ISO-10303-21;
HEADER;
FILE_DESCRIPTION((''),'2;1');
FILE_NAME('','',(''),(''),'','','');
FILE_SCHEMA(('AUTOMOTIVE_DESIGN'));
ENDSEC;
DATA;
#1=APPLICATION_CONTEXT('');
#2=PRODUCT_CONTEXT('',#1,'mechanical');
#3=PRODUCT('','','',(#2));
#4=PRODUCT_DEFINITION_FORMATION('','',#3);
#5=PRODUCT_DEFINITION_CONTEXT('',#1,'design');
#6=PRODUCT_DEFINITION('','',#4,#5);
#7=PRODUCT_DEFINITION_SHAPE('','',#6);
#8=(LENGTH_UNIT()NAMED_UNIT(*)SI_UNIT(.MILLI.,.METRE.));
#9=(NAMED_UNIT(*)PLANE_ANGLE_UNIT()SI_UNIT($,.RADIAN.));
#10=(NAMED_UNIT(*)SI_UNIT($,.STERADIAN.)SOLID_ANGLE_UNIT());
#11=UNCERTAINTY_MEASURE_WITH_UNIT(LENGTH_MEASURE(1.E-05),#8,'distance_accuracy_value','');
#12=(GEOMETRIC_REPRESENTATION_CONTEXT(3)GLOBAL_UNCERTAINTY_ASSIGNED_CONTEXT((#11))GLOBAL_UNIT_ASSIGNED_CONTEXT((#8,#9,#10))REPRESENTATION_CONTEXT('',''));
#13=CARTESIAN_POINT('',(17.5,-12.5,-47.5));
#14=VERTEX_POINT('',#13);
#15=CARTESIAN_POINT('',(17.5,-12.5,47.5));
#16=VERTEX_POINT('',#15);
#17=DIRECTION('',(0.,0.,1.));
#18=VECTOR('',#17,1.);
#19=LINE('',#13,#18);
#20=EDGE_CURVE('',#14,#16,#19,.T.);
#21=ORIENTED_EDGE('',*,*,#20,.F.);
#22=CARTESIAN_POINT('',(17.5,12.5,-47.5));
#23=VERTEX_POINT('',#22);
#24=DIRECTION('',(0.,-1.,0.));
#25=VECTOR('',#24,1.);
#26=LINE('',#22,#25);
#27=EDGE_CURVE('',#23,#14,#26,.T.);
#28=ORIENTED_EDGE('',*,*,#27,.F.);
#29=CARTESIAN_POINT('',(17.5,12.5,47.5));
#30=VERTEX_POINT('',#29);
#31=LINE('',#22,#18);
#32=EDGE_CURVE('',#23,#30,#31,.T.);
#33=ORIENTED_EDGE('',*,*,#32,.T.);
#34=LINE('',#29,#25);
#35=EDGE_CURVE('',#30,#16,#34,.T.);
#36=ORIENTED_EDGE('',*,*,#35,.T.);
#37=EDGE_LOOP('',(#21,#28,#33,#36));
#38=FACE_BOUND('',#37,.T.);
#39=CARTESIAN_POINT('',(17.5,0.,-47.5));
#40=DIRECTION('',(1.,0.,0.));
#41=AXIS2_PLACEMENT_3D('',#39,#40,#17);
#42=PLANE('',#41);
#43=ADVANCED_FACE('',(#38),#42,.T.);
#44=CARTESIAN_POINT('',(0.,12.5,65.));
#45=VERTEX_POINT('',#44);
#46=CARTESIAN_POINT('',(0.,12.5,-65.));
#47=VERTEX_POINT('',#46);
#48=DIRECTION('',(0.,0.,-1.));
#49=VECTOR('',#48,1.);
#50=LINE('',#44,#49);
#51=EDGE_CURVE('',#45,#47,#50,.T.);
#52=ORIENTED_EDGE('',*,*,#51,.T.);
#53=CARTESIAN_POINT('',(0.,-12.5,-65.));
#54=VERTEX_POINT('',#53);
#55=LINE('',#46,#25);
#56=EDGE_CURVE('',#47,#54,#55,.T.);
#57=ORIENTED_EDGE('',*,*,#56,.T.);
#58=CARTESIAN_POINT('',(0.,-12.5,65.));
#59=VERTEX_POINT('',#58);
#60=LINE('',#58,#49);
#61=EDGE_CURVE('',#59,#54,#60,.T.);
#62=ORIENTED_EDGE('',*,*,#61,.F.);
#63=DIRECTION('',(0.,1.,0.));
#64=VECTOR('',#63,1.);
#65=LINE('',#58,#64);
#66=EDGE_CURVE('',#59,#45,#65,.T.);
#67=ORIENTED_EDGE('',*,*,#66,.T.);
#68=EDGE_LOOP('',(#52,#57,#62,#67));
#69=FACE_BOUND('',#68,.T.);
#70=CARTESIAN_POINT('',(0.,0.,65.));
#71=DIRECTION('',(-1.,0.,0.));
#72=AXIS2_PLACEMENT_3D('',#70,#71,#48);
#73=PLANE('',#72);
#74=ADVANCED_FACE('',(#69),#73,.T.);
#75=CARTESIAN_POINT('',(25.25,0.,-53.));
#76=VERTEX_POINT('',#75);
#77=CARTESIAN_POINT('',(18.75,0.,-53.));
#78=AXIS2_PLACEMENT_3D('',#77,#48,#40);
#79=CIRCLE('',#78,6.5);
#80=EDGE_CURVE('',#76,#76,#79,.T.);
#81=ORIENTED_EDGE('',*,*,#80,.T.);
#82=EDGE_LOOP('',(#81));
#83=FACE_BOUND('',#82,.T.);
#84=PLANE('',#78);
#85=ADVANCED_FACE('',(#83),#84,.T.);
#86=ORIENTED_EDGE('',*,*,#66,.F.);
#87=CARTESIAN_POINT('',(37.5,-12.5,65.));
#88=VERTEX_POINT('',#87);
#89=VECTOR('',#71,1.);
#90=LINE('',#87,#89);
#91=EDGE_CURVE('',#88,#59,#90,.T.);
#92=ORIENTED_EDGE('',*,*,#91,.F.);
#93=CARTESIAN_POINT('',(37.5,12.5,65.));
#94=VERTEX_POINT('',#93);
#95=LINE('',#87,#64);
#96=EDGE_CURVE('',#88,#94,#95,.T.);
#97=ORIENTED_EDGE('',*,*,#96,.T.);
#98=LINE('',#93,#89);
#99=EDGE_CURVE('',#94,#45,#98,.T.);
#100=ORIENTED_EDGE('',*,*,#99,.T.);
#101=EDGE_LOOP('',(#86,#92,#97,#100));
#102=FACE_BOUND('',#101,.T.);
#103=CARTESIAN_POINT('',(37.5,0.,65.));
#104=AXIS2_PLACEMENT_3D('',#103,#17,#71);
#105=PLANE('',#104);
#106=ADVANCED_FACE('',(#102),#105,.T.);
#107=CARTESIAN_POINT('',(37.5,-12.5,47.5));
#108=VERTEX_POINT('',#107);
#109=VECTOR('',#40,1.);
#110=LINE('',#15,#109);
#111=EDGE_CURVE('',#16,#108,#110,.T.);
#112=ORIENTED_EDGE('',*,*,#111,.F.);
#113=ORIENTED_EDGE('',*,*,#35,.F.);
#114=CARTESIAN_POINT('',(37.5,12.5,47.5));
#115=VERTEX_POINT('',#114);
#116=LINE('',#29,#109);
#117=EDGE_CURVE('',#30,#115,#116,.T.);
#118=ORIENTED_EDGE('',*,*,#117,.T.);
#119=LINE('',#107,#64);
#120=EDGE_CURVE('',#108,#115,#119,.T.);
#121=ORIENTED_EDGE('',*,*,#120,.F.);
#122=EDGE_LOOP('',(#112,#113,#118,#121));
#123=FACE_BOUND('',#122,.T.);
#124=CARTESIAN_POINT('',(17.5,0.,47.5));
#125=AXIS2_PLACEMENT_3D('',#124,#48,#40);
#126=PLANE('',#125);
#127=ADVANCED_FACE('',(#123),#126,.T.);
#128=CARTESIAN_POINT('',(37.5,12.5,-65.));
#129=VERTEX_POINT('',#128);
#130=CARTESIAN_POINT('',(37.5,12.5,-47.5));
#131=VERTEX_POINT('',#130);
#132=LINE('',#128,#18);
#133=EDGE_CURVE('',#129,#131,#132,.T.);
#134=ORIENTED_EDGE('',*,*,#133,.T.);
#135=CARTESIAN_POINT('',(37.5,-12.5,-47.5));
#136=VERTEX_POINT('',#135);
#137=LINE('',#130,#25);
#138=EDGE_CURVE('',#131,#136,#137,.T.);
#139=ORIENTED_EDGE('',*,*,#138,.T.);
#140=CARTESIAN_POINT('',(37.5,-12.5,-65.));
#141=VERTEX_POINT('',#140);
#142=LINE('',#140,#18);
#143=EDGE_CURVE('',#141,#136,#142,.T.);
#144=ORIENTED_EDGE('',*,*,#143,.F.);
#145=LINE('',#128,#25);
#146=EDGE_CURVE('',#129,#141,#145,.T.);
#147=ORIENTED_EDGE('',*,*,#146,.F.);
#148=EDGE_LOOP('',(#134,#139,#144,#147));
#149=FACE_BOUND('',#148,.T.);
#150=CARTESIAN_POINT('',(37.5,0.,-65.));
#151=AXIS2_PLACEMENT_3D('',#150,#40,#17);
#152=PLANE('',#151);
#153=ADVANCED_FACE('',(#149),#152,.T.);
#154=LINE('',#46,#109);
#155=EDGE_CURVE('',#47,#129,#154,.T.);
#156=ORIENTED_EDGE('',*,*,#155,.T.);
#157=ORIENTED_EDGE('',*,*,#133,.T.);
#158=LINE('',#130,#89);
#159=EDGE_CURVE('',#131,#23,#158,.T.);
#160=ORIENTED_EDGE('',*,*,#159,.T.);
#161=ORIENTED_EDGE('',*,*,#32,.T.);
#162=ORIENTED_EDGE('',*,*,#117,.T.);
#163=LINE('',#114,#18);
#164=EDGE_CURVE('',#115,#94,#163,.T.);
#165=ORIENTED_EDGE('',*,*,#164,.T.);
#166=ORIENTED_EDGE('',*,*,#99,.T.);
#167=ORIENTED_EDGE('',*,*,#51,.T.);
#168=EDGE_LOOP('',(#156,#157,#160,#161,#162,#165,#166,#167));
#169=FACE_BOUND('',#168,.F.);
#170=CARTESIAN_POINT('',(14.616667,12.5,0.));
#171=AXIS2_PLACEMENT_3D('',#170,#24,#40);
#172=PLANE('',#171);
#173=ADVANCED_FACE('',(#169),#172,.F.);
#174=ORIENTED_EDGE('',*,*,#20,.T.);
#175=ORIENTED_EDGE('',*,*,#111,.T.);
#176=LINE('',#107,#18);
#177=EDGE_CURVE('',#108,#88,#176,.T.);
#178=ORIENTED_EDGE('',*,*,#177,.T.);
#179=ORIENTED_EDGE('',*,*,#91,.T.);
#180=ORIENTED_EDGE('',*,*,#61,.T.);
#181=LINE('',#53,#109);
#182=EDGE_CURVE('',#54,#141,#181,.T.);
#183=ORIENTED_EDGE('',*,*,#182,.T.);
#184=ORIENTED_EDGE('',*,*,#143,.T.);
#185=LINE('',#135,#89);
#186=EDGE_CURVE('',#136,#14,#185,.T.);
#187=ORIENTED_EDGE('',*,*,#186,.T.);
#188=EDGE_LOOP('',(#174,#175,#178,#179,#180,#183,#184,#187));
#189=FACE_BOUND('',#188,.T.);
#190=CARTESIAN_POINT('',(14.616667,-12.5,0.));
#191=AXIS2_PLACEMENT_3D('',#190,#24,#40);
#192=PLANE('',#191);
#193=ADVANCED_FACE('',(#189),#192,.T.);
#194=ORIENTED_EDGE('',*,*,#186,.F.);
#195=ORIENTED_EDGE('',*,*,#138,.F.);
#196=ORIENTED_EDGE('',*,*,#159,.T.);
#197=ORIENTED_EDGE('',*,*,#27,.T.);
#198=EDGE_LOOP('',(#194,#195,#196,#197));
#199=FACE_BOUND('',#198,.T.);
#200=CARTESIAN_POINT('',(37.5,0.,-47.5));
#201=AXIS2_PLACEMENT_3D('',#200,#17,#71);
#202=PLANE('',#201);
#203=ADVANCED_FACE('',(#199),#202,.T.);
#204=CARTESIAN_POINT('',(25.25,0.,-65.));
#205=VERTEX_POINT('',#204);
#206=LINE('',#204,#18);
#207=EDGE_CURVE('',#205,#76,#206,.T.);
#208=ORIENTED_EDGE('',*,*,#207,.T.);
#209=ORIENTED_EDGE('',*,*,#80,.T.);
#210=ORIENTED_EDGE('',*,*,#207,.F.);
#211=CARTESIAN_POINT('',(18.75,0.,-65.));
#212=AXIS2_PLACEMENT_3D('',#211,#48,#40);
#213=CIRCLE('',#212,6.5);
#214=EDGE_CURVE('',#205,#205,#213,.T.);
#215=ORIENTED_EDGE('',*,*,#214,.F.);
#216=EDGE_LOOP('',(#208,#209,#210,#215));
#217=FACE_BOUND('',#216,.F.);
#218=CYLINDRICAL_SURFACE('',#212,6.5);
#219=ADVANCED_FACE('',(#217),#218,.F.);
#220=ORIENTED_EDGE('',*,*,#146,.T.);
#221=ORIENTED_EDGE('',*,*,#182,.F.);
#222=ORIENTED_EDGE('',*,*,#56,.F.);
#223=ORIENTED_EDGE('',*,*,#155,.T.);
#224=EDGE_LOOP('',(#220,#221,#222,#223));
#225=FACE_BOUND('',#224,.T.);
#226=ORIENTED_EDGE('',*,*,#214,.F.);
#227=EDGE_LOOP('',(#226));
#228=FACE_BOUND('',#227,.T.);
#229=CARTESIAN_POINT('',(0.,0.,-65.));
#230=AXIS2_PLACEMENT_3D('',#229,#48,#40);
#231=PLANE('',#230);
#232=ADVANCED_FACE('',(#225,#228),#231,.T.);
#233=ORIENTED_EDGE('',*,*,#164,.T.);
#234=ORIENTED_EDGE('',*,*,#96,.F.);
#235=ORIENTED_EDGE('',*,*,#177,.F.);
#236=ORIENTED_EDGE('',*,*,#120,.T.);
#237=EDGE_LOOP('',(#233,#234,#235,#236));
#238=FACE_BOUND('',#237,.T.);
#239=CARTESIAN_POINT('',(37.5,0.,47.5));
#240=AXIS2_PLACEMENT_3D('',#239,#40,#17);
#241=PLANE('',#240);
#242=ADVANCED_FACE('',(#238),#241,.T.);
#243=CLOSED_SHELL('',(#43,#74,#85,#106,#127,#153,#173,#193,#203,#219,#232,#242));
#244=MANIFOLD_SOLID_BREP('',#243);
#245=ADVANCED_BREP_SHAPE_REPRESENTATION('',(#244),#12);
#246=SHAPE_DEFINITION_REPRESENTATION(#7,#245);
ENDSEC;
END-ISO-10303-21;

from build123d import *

# Parameters (mm, degrees)
F1_DEPTH      = 12.5
F1_DEPTH_BACK = 12.5
F2_R          = 6.5
F3_DEPTH      = 12


with BuildPart() as f1:
    # F0 (on Front) → F1 (new body, two sides)
    with BuildSketch(Plane.XZ) as f1_sk:
        Polygon((0, 65), (0, 0), (0, -65), (37.5, -65), (37.5, -47.5), (17.5, -47.5), (17.5, 0), (17.5, 47.5), (37.5, 47.5), (37.5, 65), align=None)
    extrude(amount=F1_DEPTH)
    extrude(f1_sk.sketch, amount=-F1_DEPTH_BACK)

    # F2 (on face) → F3 (cut)
    with BuildSketch(Plane(origin=(0, 0, -65), x_dir=(1, 0, 0), z_dir=(0, 0, -1))):
        with Locations((18.75, 0)):
            Circle(F2_R)
    extrude(amount=-F3_DEPTH, mode=Mode.SUBTRACT)


solid = f1.part
